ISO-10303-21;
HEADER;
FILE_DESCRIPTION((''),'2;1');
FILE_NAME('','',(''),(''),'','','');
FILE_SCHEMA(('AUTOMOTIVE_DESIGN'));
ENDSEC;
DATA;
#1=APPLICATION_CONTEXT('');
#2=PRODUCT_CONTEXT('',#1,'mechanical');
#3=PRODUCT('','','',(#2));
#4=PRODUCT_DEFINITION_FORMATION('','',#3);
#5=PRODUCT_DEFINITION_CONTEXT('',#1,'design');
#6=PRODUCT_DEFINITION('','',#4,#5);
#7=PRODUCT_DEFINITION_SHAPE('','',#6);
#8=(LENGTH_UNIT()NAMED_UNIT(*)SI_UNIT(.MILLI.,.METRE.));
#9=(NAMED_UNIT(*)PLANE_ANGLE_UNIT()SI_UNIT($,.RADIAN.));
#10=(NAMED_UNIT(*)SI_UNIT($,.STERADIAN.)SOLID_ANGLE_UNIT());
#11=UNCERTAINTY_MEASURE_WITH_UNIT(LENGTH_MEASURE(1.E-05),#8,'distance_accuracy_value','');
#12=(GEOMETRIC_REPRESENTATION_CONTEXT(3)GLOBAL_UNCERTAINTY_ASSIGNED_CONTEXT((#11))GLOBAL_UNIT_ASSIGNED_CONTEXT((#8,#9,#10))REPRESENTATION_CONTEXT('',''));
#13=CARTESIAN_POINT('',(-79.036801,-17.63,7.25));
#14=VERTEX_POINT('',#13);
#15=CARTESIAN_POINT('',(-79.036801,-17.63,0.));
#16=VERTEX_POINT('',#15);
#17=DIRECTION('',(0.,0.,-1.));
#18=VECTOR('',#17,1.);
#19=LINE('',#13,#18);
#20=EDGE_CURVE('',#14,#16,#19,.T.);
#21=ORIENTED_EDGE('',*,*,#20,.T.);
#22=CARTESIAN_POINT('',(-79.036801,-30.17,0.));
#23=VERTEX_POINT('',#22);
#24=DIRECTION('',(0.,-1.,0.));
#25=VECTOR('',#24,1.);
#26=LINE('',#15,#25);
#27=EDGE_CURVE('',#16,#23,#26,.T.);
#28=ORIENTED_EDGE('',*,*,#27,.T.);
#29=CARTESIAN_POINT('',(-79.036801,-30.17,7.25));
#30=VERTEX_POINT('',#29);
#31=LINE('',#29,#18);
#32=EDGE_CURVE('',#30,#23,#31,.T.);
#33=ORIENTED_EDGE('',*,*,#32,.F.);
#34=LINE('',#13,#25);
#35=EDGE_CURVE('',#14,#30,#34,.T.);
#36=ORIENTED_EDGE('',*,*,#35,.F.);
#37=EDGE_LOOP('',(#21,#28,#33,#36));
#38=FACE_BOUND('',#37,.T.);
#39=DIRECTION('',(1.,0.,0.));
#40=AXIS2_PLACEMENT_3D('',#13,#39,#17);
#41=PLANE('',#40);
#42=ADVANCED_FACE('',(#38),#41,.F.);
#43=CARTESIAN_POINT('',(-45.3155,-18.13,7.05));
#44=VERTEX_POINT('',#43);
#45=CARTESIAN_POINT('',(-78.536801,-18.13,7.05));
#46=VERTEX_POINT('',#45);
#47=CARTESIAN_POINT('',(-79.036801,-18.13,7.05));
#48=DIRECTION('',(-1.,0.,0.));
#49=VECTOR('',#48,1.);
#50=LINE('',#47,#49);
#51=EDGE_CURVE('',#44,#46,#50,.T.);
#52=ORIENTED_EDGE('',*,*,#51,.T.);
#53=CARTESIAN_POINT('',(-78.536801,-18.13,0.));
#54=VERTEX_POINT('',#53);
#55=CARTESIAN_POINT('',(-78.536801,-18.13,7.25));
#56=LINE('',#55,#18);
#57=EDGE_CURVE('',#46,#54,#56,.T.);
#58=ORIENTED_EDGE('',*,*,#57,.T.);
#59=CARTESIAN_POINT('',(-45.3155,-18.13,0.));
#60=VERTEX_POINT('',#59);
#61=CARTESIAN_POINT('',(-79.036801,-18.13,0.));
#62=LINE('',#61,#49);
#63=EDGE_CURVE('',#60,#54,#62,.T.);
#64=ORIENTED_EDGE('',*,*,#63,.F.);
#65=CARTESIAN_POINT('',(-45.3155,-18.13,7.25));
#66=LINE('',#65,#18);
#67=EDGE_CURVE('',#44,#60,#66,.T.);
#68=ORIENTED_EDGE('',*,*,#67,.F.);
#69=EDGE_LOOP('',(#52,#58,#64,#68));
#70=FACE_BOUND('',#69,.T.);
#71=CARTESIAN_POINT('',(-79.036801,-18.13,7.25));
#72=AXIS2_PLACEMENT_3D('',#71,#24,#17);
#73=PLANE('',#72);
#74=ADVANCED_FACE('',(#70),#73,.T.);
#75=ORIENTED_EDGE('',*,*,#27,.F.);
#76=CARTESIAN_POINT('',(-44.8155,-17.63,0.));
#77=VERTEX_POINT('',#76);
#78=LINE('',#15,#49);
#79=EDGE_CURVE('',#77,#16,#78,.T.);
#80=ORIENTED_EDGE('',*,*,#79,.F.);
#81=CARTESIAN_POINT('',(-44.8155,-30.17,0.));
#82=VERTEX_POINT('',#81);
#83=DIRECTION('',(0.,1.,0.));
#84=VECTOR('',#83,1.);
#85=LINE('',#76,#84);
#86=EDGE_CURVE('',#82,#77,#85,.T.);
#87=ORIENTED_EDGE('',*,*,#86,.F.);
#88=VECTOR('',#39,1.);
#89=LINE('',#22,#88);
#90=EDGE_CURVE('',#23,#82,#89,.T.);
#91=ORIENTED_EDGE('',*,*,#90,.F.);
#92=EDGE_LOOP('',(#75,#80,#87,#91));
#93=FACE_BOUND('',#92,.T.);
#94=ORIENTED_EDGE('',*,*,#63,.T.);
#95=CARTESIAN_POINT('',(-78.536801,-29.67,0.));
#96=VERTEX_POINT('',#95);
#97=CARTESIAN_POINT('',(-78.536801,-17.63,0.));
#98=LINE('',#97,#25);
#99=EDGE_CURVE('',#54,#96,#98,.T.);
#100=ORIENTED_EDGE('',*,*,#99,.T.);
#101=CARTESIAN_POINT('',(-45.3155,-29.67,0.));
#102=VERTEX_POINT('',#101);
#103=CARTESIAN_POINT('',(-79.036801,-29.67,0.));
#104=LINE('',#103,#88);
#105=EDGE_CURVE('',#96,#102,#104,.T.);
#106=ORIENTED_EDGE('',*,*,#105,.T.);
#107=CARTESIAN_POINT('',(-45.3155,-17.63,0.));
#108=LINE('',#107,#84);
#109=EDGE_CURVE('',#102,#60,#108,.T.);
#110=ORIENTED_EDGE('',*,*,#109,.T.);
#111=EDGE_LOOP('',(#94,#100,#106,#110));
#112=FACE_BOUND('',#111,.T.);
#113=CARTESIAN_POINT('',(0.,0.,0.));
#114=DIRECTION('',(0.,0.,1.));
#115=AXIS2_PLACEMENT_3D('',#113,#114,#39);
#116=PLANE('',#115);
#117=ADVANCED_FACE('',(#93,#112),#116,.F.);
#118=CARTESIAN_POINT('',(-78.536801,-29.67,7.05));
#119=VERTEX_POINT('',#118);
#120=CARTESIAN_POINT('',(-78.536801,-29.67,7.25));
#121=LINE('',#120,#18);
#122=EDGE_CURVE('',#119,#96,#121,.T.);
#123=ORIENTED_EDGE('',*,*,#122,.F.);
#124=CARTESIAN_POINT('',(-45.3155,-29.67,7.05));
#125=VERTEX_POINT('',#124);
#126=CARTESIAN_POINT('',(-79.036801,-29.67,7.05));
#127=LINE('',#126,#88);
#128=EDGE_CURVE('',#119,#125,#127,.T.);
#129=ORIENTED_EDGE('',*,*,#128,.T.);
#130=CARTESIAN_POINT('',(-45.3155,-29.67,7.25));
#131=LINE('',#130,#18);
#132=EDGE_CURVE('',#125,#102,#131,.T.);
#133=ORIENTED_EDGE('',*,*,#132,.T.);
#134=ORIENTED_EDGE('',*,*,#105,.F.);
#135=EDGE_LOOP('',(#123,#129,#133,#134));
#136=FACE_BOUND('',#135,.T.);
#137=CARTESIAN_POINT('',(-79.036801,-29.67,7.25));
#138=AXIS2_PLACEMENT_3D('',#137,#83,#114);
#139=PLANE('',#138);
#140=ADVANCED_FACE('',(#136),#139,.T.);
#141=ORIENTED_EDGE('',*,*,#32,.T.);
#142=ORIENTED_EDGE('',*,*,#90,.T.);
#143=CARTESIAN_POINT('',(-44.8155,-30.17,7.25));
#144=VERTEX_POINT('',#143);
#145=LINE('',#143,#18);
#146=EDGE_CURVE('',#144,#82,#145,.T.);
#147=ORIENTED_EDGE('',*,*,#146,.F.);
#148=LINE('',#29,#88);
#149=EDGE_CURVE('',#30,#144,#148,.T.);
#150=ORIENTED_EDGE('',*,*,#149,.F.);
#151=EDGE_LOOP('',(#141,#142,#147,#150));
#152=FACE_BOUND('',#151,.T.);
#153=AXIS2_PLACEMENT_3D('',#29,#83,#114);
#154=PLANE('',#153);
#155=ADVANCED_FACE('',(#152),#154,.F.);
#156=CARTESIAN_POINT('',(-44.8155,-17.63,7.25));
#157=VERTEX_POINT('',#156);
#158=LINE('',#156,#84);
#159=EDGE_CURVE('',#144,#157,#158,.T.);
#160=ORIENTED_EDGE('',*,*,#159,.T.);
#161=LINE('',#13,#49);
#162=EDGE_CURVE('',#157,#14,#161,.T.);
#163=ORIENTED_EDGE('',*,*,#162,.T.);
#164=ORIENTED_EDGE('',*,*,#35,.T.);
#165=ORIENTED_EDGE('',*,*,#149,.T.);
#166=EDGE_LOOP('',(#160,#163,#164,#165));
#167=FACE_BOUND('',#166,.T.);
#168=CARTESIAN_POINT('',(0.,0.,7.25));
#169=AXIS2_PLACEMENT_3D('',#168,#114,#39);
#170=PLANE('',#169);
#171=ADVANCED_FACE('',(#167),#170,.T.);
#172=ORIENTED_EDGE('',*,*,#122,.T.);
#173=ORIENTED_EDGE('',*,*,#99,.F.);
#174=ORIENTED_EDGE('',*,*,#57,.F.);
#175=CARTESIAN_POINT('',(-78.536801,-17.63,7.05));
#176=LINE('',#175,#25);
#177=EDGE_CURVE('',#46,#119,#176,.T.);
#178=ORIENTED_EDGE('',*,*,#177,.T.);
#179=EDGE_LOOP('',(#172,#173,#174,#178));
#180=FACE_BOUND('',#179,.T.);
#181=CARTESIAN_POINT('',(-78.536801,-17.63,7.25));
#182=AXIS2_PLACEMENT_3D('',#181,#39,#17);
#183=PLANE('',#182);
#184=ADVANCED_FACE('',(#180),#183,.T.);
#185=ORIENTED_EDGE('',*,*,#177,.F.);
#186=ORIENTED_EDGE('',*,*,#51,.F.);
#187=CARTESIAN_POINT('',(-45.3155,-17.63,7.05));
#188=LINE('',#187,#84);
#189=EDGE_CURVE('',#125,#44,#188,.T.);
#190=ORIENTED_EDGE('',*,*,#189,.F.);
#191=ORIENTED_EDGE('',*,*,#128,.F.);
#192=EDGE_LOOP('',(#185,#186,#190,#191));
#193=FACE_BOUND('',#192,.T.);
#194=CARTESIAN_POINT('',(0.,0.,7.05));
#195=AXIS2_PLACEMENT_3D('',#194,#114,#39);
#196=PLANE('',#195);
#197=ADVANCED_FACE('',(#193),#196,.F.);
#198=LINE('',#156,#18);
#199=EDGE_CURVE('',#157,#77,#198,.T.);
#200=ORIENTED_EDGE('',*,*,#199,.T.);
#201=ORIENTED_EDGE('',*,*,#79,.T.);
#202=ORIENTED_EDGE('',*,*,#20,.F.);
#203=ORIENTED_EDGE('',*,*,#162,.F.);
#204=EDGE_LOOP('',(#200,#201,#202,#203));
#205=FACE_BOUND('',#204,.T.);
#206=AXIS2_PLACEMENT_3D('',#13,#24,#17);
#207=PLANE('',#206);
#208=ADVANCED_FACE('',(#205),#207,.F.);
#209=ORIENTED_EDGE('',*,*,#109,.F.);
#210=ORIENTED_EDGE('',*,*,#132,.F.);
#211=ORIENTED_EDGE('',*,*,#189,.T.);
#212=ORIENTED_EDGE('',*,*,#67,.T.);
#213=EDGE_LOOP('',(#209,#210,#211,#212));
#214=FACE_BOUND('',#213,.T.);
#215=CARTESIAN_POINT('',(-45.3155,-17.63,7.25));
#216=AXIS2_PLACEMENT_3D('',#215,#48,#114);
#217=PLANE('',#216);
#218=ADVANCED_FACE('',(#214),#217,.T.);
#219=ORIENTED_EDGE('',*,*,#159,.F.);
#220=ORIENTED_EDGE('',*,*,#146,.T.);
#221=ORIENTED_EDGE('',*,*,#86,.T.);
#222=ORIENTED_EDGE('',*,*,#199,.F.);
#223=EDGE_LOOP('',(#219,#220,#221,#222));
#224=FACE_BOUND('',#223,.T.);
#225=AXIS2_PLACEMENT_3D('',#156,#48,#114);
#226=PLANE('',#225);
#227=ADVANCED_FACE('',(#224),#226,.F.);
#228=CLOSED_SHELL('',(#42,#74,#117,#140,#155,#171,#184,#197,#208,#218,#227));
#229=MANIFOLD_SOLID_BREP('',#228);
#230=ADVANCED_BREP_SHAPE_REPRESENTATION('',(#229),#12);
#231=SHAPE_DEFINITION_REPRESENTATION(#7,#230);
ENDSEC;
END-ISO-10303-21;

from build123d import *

# Parameters (mm, degrees)
SKETCH1_W                 = 34.22130149
SKETCH1_H                 = 12.54
BOSS_EXTRUDE1_DEPTH       = 7.25
SHELL1_T                  = -0.5
SHELL1_THICKNESS_2_FACE_W = 33.22130149
SHELL1_THICKNESS_2_FACE_H = 11.54
SHELL1_THICKNESS_2_DEPTH  = 0.3


with BuildPart() as part:
    # Sketch1 → Boss-Extrude1 (new body)
    with BuildSketch(Plane.XY):
        with Locations((-61.926150745, -23.9)):
            Rectangle(SKETCH1_W, SKETCH1_H)
    extrude(amount=BOSS_EXTRUDE1_DEPTH)

    # Shell1
    shell1_openings = [part.faces().sort_by_distance(p)[0] for p in [
        (-61.926150745, -23.9, 0),
    ]]
    offset(amount=SHELL1_T, openings=shell1_openings, kind=Kind.INTERSECTION)

    # Shell1 thickness 2 face (on inner face of the shell) → Shell1 thickness 2 (cut)
    with BuildSketch(Plane(origin=(-61.926150745, -23.9, 6.75), x_dir=(1, 0, 0), z_dir=(0, 0, 1))):
        Rectangle(SHELL1_THICKNESS_2_FACE_W, SHELL1_THICKNESS_2_FACE_H)
    extrude(amount=SHELL1_THICKNESS_2_DEPTH, mode=Mode.SUBTRACT)


solid = part.part
